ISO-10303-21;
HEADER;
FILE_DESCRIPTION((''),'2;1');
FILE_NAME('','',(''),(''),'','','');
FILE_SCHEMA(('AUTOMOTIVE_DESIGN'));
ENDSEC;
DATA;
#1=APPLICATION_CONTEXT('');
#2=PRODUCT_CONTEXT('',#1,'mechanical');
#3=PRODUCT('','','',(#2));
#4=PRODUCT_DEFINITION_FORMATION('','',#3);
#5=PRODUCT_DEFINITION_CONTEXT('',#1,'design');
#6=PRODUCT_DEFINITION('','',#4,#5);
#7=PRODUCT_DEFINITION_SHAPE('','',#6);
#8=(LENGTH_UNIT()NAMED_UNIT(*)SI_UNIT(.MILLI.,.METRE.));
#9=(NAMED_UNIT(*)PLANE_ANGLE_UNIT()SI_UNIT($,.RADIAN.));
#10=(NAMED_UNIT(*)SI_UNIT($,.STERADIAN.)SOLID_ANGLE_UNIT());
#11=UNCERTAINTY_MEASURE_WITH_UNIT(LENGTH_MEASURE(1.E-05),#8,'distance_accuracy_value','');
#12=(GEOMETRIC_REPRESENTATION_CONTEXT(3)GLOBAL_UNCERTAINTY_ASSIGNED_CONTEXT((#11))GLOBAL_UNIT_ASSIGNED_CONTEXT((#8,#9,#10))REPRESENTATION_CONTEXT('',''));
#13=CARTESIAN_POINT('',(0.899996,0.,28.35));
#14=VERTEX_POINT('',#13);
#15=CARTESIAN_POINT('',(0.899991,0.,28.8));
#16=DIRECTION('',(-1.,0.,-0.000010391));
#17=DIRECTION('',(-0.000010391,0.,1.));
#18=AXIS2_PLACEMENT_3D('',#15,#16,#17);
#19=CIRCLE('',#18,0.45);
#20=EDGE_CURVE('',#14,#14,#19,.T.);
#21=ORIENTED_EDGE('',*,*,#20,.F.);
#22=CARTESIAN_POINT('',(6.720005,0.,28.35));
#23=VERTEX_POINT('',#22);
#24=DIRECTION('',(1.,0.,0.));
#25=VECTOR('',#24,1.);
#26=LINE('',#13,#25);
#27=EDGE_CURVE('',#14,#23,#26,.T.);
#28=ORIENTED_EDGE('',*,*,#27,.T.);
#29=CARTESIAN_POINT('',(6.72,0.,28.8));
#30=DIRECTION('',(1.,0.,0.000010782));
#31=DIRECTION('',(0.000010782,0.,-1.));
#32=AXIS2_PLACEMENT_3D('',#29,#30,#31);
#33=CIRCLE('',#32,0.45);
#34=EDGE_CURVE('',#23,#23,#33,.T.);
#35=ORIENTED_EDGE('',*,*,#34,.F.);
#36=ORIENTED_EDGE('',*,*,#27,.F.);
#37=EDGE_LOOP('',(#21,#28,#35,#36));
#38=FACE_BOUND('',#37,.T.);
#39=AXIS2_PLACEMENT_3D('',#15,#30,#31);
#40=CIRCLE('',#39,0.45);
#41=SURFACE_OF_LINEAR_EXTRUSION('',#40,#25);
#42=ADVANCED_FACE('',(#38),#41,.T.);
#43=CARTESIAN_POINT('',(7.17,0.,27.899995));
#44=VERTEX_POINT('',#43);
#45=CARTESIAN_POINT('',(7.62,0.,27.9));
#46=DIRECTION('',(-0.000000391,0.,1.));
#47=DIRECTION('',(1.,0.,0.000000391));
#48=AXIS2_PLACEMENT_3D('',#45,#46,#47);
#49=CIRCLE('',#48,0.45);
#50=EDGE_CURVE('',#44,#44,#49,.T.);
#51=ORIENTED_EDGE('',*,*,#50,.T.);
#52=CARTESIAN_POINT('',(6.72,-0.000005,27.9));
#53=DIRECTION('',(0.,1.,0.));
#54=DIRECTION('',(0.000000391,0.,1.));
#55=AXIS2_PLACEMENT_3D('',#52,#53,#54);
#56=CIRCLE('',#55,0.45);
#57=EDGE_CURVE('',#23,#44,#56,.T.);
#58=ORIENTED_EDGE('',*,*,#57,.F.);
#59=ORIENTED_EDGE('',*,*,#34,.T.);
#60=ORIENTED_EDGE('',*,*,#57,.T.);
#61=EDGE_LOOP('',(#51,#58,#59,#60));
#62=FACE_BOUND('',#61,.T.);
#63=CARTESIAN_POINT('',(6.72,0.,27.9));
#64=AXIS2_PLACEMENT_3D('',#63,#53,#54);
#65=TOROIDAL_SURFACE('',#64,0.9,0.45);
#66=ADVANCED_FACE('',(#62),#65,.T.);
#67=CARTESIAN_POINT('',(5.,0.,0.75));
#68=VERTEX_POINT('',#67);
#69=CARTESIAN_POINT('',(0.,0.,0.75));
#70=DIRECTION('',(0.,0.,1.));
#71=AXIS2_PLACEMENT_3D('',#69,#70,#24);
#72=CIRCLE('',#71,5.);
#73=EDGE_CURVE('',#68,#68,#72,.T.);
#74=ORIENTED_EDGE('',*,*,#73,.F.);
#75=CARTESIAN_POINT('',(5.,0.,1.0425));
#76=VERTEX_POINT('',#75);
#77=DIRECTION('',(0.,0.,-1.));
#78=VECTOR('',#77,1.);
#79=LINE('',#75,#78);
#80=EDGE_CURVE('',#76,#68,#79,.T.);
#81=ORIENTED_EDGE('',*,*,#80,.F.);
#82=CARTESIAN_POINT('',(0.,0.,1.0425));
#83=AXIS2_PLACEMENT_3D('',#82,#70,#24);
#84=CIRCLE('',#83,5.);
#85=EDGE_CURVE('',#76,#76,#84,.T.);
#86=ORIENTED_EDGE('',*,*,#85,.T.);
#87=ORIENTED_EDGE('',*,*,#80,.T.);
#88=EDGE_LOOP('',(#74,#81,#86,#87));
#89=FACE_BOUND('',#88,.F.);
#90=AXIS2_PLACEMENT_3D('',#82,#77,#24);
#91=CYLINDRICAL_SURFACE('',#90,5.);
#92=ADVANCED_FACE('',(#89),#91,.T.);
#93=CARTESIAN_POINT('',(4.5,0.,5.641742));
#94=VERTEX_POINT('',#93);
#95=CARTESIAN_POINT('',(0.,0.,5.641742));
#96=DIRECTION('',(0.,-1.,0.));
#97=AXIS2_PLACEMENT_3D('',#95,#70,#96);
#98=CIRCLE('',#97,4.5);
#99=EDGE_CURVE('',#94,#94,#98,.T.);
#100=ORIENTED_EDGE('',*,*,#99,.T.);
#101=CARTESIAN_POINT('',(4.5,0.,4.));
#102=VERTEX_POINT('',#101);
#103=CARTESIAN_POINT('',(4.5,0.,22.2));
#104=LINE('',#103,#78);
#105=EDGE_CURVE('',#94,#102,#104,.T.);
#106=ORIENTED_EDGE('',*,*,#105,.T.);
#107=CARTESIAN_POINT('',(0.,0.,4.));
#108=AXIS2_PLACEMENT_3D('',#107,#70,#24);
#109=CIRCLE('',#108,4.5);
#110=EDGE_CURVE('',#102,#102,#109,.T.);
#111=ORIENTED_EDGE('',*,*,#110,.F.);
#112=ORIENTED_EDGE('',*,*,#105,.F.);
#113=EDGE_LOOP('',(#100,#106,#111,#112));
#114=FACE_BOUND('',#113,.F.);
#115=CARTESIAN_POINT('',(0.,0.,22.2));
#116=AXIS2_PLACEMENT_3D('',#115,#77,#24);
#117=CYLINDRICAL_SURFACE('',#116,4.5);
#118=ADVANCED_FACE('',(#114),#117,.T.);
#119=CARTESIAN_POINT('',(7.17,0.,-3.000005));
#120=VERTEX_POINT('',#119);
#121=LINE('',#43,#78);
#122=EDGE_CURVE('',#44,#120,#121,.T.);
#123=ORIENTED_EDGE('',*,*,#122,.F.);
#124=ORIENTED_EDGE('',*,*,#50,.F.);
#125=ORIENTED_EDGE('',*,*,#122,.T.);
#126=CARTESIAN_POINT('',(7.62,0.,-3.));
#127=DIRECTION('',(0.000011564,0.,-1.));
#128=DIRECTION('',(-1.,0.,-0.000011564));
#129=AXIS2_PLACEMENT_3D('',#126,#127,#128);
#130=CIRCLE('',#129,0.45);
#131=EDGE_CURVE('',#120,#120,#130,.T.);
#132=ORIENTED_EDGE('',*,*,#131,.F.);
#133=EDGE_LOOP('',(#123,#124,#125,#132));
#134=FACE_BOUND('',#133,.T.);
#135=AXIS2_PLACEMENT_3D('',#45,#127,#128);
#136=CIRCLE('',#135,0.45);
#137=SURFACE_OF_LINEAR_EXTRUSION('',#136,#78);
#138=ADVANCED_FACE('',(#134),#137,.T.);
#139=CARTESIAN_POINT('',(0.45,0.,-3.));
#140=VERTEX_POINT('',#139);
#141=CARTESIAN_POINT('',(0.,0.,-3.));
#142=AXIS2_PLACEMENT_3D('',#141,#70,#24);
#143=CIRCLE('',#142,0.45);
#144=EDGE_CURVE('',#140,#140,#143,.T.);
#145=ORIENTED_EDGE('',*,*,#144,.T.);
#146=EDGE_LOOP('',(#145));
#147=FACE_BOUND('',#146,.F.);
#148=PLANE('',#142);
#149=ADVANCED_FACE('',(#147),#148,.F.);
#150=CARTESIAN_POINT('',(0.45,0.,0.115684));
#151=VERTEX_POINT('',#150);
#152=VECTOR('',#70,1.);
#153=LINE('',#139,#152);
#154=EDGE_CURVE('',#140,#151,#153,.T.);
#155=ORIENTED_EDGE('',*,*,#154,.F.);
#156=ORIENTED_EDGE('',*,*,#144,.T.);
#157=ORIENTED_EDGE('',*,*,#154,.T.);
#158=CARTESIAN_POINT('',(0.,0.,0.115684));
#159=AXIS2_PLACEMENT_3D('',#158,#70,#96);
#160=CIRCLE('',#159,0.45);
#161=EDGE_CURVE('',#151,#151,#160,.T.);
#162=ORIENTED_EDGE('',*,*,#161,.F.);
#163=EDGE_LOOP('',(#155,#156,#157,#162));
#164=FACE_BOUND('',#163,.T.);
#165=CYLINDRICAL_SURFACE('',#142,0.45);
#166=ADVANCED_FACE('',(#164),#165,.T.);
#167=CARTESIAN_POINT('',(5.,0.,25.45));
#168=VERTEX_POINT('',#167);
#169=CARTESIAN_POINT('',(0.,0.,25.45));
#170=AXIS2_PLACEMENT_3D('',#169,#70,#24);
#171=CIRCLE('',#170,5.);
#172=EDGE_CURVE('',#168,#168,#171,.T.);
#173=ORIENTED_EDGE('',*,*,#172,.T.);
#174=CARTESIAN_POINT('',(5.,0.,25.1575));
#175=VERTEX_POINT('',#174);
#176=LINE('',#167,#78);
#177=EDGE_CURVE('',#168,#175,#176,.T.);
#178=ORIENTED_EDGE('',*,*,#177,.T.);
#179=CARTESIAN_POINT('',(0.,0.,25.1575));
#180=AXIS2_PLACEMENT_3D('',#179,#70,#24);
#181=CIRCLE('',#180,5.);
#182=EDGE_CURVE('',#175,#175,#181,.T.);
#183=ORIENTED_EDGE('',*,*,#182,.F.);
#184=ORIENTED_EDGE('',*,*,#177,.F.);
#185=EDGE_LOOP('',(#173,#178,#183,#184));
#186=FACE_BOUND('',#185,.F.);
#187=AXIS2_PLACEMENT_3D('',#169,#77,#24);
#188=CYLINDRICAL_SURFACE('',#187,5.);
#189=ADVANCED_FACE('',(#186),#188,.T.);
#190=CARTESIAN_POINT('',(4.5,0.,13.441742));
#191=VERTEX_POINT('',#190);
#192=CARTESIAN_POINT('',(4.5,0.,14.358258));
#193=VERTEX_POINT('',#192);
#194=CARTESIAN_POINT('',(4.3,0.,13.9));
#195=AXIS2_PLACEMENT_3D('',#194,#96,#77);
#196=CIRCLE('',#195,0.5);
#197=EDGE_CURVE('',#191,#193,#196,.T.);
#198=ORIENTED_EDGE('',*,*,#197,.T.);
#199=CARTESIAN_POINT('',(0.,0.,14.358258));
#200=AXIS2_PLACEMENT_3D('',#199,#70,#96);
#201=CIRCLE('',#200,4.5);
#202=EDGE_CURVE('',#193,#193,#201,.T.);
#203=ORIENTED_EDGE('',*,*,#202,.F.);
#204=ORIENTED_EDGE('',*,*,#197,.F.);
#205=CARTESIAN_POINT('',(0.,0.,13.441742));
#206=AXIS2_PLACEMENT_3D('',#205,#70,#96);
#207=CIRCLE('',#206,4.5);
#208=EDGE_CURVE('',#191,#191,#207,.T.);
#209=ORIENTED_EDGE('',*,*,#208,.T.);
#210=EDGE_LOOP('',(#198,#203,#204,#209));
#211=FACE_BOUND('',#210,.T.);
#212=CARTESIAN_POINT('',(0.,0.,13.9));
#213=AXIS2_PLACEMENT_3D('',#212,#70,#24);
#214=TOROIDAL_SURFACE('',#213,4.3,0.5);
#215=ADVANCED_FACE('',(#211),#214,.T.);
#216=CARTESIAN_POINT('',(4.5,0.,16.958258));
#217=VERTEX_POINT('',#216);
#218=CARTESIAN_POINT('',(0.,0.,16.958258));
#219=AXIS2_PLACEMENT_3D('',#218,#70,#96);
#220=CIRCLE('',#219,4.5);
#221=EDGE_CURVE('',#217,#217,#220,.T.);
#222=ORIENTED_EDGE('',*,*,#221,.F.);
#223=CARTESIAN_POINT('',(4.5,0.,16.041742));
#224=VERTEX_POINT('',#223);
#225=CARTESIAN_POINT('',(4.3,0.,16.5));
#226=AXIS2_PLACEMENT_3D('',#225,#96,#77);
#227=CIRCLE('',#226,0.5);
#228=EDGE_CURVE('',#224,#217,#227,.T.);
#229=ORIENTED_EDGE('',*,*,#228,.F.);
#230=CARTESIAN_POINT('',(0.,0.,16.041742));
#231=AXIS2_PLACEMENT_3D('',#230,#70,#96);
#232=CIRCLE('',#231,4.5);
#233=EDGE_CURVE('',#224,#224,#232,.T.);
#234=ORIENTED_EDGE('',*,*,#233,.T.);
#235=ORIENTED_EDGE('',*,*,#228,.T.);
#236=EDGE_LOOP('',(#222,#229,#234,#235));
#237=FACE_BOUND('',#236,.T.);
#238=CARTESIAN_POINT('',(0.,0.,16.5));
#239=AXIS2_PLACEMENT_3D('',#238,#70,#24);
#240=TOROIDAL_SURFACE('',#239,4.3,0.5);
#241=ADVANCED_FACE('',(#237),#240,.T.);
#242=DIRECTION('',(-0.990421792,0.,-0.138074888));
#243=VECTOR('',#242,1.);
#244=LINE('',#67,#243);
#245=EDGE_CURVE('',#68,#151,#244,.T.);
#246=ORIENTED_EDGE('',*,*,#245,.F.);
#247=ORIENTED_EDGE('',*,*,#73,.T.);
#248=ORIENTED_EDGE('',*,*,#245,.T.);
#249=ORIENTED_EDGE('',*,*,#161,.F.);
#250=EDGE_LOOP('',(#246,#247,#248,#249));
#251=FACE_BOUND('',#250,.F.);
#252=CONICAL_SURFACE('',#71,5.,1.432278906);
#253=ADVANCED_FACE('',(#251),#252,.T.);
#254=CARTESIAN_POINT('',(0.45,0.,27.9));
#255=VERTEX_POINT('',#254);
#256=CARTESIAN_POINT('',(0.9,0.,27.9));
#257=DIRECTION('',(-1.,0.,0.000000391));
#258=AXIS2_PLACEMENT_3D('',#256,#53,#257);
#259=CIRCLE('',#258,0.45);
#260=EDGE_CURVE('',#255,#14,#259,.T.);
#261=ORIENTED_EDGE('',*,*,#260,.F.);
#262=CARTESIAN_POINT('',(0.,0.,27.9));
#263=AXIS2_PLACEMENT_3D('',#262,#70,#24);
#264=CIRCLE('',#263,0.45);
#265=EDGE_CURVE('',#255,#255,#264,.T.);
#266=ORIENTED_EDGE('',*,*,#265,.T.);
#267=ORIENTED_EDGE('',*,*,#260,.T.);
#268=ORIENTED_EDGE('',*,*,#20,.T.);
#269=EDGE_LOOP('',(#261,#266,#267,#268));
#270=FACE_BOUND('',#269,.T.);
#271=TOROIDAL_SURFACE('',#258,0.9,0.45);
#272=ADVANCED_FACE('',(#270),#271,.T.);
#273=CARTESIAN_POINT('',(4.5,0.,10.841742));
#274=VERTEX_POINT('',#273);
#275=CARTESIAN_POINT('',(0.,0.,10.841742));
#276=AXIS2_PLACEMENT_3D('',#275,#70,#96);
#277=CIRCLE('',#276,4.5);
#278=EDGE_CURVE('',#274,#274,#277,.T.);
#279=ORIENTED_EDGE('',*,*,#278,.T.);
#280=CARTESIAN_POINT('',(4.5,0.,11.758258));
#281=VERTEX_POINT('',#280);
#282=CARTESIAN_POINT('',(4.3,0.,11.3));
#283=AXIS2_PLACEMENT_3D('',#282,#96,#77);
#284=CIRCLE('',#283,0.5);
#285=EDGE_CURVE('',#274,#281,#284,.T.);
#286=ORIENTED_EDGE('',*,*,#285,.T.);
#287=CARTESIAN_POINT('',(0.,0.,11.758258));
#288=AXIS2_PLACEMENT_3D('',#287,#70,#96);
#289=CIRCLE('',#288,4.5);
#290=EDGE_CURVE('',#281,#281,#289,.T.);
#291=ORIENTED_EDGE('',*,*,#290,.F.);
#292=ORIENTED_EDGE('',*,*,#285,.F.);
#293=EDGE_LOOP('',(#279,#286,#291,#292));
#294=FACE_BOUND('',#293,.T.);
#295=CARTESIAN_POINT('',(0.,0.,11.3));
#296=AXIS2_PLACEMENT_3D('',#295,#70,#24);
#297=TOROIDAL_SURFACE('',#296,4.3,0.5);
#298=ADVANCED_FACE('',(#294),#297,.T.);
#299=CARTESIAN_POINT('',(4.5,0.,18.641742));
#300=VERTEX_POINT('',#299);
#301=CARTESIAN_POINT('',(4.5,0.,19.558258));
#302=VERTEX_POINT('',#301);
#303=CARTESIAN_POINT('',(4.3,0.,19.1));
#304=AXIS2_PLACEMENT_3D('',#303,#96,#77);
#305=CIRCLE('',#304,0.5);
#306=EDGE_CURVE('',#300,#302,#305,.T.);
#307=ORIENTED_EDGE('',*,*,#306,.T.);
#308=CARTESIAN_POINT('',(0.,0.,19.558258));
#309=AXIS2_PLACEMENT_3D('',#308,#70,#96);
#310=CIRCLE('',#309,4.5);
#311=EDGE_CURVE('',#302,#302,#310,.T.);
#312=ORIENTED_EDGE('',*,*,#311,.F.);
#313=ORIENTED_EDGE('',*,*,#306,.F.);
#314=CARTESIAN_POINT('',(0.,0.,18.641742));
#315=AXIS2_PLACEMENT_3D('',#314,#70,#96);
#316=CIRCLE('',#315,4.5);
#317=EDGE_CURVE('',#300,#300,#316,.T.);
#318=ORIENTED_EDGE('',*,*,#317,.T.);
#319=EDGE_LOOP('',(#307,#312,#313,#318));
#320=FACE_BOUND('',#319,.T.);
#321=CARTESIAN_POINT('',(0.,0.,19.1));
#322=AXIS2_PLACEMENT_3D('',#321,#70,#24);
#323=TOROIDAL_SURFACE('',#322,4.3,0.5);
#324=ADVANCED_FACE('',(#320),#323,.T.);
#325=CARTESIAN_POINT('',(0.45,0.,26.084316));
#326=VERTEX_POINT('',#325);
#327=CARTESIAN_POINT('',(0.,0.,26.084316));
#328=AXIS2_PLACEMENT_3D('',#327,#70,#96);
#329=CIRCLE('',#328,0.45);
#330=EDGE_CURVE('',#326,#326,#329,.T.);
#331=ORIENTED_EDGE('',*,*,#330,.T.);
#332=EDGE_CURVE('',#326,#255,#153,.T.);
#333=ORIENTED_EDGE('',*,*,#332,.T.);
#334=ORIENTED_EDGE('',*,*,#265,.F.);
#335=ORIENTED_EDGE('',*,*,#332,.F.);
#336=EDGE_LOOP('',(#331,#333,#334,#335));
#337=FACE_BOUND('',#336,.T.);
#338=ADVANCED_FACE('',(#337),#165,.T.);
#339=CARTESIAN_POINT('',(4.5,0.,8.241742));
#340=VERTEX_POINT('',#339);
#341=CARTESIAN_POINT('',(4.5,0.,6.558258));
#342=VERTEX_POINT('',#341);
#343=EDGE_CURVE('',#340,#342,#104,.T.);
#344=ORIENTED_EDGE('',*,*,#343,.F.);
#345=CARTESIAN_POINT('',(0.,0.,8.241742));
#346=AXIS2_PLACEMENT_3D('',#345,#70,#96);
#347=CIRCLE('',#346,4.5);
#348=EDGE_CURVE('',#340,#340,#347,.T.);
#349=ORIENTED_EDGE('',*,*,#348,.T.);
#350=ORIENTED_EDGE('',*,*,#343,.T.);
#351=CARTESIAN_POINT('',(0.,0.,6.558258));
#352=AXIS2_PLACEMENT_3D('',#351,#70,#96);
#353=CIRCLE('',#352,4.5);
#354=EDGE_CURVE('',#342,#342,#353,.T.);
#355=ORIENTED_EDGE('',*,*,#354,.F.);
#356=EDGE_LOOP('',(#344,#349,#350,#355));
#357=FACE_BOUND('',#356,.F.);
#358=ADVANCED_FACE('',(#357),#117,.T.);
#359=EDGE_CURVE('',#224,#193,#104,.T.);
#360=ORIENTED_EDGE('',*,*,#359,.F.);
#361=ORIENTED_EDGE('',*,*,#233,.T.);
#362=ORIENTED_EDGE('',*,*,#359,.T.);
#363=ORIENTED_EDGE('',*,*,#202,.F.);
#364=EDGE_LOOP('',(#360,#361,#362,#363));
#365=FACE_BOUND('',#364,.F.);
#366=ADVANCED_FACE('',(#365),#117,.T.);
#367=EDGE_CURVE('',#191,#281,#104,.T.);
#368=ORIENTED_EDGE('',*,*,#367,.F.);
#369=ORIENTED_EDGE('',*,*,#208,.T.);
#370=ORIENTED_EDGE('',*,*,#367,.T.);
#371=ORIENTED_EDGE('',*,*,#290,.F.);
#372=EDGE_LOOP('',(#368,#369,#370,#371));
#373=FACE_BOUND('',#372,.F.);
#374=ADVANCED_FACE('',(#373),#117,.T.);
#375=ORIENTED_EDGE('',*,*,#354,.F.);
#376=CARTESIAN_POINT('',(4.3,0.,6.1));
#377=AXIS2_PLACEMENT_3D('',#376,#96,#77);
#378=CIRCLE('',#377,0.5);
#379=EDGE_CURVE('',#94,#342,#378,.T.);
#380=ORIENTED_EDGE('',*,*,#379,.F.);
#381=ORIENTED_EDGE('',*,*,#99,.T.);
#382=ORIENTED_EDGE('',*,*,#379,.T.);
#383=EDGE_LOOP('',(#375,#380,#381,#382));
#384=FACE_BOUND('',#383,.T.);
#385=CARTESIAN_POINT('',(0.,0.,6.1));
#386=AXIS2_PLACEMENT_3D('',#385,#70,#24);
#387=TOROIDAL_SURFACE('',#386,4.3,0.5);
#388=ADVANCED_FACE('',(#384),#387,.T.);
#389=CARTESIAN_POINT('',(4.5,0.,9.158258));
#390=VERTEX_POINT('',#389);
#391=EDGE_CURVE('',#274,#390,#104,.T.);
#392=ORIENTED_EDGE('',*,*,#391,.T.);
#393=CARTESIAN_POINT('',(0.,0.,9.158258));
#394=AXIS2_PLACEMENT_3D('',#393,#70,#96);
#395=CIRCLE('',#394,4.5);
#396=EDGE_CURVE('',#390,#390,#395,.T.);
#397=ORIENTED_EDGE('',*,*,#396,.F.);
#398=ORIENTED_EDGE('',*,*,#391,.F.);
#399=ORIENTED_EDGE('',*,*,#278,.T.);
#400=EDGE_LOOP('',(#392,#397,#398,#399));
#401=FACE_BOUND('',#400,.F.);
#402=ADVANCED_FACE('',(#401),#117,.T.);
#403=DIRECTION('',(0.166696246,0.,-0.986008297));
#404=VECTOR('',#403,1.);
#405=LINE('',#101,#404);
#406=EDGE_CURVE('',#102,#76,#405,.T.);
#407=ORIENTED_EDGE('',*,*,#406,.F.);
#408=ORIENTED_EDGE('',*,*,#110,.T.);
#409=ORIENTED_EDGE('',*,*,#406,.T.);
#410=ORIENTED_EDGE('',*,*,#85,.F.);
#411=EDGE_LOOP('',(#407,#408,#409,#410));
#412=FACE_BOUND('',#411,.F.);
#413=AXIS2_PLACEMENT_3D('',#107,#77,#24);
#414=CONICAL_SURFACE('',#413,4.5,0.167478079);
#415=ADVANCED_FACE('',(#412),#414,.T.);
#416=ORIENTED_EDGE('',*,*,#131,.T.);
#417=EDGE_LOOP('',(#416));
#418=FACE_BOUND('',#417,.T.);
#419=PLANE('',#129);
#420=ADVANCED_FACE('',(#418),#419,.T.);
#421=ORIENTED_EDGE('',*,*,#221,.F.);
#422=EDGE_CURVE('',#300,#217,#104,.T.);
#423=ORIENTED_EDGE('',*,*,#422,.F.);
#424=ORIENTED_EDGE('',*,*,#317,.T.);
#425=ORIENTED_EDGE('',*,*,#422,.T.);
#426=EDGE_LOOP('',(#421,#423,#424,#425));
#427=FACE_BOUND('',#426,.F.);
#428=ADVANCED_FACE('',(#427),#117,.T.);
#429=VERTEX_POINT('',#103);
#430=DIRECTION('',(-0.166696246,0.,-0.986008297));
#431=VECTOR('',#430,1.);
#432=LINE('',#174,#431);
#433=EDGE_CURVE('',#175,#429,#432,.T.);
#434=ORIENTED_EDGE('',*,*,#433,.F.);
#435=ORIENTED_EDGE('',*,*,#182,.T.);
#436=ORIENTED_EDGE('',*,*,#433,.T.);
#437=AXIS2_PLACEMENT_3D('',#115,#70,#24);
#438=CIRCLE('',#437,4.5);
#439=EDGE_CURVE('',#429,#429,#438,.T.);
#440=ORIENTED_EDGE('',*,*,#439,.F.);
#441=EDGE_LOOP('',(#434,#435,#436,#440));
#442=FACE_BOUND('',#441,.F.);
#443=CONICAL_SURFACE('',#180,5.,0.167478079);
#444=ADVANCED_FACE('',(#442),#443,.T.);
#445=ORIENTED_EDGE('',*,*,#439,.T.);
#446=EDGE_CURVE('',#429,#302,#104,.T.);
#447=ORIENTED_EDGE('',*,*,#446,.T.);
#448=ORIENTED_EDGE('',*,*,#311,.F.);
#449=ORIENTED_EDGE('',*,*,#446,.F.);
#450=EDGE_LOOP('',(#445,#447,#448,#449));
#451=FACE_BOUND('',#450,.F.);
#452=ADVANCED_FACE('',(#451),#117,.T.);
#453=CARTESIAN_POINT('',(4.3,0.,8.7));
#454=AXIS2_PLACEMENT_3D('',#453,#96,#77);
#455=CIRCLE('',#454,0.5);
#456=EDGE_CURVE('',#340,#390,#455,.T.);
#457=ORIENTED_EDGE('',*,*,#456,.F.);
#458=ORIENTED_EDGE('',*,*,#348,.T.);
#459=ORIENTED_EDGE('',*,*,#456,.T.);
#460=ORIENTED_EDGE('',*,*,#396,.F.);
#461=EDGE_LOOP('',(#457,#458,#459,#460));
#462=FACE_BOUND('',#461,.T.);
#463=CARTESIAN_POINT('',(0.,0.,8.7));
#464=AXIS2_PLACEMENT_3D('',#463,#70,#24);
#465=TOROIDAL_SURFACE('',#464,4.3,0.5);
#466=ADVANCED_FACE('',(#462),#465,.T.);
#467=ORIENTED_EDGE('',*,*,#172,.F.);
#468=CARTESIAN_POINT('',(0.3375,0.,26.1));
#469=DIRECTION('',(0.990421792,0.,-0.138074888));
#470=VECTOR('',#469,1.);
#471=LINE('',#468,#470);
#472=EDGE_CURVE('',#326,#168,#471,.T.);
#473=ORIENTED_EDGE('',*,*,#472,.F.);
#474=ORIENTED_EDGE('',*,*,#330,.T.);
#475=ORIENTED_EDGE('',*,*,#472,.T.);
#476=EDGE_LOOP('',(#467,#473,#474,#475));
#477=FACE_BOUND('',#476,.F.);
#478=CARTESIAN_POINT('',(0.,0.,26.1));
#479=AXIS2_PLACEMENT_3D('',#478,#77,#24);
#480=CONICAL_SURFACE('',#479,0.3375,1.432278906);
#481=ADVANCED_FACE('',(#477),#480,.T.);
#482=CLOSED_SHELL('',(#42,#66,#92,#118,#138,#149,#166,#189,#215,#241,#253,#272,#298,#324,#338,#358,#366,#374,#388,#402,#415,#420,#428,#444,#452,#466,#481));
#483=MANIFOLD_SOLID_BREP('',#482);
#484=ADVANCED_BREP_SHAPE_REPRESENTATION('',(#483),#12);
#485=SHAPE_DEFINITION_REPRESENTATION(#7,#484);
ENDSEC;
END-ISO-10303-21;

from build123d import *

# Parameters (mm, degrees)
SKETCH_R = 0.45


with BuildPart() as revolution:
    # Sketch002 → Revolution (revolve)
    with BuildSketch(Plane.XZ):
        Polygon((0, 0.1), (0, 26.1), (0.3375, 26.1), (5, 25.45), (5, 25.1575), (4.5, 22.2), (4.5, 4), (5, 1.0425), (5, 0.75), (0.3375, 0.1), align=None)
    revolve(axis=Axis((0, 0, 0), (0, 0, 1)))


with BuildPart() as sweep_body:
    # Sweep: sweep along a path in Sketch001
    with BuildLine(Plane.XZ) as sweep_path:
        Line((0, -3), (0, 27.9))
        ThreePointArc((0, 27.9), (0.263601, 28.536393), (0.899991, 28.8))
        Line((0.899991, 28.8), (6.72, 28.8))
        ThreePointArc((6.72, 28.8), (7.356396, 28.536396), (7.62, 27.9))
        Line((7.62, 27.9), (7.62, -3))
    # Sketch → Sweep (sweep)
    with BuildSketch(Plane.XY.offset(-2)):
        Circle(SKETCH_R)
    sweep(path=sweep_path.line)


with BuildPart() as revolution001_mp_cp:
    # Sketch003 → Revolution001 (revolve)
    with BuildSketch(Plane.XZ):
        with BuildLine():
            Line((4, 21.2), (4, 4))
            Line((4, 4), (4.3, 4))
            Line((4.3, 4), (4.3, 5.6))
            ThreePointArc((4.3, 5.6), (4.8, 6.1), (4.3, 6.6))
            Line((4.3, 6.6), (4.3, 8.2))
            ThreePointArc((4.3, 8.2), (4.8, 8.7), (4.3, 9.2))
            Line((4.3, 9.2), (4.3, 10.8))
            ThreePointArc((4.3, 10.8), (4.8, 11.3), (4.3, 11.8))
            Line((4.3, 11.8), (4.3, 13.4))
            ThreePointArc((4.3, 13.4), (4.8, 13.9), (4.3, 14.4))
            Line((4.3, 14.4), (4.3, 16))
            ThreePointArc((4.3, 16), (4.8, 16.5), (4.3, 17))
            Line((4.3, 17), (4.3, 18.6))
            ThreePointArc((4.3, 18.6), (4.8, 19.1), (4.3, 19.6))
            Line((4.3, 21.2), (4.3, 19.6))
            Line((4, 21.2), (4.3, 21.2))
        make_face()
    revolve(axis=Axis((0, 0, 0), (0, 0, 1)))

    # Revolution001_mp_cp: union Revolution, Sweep body
    add(revolution.part)
    add(sweep_body.part)


solid = revolution001_mp_cp.part
